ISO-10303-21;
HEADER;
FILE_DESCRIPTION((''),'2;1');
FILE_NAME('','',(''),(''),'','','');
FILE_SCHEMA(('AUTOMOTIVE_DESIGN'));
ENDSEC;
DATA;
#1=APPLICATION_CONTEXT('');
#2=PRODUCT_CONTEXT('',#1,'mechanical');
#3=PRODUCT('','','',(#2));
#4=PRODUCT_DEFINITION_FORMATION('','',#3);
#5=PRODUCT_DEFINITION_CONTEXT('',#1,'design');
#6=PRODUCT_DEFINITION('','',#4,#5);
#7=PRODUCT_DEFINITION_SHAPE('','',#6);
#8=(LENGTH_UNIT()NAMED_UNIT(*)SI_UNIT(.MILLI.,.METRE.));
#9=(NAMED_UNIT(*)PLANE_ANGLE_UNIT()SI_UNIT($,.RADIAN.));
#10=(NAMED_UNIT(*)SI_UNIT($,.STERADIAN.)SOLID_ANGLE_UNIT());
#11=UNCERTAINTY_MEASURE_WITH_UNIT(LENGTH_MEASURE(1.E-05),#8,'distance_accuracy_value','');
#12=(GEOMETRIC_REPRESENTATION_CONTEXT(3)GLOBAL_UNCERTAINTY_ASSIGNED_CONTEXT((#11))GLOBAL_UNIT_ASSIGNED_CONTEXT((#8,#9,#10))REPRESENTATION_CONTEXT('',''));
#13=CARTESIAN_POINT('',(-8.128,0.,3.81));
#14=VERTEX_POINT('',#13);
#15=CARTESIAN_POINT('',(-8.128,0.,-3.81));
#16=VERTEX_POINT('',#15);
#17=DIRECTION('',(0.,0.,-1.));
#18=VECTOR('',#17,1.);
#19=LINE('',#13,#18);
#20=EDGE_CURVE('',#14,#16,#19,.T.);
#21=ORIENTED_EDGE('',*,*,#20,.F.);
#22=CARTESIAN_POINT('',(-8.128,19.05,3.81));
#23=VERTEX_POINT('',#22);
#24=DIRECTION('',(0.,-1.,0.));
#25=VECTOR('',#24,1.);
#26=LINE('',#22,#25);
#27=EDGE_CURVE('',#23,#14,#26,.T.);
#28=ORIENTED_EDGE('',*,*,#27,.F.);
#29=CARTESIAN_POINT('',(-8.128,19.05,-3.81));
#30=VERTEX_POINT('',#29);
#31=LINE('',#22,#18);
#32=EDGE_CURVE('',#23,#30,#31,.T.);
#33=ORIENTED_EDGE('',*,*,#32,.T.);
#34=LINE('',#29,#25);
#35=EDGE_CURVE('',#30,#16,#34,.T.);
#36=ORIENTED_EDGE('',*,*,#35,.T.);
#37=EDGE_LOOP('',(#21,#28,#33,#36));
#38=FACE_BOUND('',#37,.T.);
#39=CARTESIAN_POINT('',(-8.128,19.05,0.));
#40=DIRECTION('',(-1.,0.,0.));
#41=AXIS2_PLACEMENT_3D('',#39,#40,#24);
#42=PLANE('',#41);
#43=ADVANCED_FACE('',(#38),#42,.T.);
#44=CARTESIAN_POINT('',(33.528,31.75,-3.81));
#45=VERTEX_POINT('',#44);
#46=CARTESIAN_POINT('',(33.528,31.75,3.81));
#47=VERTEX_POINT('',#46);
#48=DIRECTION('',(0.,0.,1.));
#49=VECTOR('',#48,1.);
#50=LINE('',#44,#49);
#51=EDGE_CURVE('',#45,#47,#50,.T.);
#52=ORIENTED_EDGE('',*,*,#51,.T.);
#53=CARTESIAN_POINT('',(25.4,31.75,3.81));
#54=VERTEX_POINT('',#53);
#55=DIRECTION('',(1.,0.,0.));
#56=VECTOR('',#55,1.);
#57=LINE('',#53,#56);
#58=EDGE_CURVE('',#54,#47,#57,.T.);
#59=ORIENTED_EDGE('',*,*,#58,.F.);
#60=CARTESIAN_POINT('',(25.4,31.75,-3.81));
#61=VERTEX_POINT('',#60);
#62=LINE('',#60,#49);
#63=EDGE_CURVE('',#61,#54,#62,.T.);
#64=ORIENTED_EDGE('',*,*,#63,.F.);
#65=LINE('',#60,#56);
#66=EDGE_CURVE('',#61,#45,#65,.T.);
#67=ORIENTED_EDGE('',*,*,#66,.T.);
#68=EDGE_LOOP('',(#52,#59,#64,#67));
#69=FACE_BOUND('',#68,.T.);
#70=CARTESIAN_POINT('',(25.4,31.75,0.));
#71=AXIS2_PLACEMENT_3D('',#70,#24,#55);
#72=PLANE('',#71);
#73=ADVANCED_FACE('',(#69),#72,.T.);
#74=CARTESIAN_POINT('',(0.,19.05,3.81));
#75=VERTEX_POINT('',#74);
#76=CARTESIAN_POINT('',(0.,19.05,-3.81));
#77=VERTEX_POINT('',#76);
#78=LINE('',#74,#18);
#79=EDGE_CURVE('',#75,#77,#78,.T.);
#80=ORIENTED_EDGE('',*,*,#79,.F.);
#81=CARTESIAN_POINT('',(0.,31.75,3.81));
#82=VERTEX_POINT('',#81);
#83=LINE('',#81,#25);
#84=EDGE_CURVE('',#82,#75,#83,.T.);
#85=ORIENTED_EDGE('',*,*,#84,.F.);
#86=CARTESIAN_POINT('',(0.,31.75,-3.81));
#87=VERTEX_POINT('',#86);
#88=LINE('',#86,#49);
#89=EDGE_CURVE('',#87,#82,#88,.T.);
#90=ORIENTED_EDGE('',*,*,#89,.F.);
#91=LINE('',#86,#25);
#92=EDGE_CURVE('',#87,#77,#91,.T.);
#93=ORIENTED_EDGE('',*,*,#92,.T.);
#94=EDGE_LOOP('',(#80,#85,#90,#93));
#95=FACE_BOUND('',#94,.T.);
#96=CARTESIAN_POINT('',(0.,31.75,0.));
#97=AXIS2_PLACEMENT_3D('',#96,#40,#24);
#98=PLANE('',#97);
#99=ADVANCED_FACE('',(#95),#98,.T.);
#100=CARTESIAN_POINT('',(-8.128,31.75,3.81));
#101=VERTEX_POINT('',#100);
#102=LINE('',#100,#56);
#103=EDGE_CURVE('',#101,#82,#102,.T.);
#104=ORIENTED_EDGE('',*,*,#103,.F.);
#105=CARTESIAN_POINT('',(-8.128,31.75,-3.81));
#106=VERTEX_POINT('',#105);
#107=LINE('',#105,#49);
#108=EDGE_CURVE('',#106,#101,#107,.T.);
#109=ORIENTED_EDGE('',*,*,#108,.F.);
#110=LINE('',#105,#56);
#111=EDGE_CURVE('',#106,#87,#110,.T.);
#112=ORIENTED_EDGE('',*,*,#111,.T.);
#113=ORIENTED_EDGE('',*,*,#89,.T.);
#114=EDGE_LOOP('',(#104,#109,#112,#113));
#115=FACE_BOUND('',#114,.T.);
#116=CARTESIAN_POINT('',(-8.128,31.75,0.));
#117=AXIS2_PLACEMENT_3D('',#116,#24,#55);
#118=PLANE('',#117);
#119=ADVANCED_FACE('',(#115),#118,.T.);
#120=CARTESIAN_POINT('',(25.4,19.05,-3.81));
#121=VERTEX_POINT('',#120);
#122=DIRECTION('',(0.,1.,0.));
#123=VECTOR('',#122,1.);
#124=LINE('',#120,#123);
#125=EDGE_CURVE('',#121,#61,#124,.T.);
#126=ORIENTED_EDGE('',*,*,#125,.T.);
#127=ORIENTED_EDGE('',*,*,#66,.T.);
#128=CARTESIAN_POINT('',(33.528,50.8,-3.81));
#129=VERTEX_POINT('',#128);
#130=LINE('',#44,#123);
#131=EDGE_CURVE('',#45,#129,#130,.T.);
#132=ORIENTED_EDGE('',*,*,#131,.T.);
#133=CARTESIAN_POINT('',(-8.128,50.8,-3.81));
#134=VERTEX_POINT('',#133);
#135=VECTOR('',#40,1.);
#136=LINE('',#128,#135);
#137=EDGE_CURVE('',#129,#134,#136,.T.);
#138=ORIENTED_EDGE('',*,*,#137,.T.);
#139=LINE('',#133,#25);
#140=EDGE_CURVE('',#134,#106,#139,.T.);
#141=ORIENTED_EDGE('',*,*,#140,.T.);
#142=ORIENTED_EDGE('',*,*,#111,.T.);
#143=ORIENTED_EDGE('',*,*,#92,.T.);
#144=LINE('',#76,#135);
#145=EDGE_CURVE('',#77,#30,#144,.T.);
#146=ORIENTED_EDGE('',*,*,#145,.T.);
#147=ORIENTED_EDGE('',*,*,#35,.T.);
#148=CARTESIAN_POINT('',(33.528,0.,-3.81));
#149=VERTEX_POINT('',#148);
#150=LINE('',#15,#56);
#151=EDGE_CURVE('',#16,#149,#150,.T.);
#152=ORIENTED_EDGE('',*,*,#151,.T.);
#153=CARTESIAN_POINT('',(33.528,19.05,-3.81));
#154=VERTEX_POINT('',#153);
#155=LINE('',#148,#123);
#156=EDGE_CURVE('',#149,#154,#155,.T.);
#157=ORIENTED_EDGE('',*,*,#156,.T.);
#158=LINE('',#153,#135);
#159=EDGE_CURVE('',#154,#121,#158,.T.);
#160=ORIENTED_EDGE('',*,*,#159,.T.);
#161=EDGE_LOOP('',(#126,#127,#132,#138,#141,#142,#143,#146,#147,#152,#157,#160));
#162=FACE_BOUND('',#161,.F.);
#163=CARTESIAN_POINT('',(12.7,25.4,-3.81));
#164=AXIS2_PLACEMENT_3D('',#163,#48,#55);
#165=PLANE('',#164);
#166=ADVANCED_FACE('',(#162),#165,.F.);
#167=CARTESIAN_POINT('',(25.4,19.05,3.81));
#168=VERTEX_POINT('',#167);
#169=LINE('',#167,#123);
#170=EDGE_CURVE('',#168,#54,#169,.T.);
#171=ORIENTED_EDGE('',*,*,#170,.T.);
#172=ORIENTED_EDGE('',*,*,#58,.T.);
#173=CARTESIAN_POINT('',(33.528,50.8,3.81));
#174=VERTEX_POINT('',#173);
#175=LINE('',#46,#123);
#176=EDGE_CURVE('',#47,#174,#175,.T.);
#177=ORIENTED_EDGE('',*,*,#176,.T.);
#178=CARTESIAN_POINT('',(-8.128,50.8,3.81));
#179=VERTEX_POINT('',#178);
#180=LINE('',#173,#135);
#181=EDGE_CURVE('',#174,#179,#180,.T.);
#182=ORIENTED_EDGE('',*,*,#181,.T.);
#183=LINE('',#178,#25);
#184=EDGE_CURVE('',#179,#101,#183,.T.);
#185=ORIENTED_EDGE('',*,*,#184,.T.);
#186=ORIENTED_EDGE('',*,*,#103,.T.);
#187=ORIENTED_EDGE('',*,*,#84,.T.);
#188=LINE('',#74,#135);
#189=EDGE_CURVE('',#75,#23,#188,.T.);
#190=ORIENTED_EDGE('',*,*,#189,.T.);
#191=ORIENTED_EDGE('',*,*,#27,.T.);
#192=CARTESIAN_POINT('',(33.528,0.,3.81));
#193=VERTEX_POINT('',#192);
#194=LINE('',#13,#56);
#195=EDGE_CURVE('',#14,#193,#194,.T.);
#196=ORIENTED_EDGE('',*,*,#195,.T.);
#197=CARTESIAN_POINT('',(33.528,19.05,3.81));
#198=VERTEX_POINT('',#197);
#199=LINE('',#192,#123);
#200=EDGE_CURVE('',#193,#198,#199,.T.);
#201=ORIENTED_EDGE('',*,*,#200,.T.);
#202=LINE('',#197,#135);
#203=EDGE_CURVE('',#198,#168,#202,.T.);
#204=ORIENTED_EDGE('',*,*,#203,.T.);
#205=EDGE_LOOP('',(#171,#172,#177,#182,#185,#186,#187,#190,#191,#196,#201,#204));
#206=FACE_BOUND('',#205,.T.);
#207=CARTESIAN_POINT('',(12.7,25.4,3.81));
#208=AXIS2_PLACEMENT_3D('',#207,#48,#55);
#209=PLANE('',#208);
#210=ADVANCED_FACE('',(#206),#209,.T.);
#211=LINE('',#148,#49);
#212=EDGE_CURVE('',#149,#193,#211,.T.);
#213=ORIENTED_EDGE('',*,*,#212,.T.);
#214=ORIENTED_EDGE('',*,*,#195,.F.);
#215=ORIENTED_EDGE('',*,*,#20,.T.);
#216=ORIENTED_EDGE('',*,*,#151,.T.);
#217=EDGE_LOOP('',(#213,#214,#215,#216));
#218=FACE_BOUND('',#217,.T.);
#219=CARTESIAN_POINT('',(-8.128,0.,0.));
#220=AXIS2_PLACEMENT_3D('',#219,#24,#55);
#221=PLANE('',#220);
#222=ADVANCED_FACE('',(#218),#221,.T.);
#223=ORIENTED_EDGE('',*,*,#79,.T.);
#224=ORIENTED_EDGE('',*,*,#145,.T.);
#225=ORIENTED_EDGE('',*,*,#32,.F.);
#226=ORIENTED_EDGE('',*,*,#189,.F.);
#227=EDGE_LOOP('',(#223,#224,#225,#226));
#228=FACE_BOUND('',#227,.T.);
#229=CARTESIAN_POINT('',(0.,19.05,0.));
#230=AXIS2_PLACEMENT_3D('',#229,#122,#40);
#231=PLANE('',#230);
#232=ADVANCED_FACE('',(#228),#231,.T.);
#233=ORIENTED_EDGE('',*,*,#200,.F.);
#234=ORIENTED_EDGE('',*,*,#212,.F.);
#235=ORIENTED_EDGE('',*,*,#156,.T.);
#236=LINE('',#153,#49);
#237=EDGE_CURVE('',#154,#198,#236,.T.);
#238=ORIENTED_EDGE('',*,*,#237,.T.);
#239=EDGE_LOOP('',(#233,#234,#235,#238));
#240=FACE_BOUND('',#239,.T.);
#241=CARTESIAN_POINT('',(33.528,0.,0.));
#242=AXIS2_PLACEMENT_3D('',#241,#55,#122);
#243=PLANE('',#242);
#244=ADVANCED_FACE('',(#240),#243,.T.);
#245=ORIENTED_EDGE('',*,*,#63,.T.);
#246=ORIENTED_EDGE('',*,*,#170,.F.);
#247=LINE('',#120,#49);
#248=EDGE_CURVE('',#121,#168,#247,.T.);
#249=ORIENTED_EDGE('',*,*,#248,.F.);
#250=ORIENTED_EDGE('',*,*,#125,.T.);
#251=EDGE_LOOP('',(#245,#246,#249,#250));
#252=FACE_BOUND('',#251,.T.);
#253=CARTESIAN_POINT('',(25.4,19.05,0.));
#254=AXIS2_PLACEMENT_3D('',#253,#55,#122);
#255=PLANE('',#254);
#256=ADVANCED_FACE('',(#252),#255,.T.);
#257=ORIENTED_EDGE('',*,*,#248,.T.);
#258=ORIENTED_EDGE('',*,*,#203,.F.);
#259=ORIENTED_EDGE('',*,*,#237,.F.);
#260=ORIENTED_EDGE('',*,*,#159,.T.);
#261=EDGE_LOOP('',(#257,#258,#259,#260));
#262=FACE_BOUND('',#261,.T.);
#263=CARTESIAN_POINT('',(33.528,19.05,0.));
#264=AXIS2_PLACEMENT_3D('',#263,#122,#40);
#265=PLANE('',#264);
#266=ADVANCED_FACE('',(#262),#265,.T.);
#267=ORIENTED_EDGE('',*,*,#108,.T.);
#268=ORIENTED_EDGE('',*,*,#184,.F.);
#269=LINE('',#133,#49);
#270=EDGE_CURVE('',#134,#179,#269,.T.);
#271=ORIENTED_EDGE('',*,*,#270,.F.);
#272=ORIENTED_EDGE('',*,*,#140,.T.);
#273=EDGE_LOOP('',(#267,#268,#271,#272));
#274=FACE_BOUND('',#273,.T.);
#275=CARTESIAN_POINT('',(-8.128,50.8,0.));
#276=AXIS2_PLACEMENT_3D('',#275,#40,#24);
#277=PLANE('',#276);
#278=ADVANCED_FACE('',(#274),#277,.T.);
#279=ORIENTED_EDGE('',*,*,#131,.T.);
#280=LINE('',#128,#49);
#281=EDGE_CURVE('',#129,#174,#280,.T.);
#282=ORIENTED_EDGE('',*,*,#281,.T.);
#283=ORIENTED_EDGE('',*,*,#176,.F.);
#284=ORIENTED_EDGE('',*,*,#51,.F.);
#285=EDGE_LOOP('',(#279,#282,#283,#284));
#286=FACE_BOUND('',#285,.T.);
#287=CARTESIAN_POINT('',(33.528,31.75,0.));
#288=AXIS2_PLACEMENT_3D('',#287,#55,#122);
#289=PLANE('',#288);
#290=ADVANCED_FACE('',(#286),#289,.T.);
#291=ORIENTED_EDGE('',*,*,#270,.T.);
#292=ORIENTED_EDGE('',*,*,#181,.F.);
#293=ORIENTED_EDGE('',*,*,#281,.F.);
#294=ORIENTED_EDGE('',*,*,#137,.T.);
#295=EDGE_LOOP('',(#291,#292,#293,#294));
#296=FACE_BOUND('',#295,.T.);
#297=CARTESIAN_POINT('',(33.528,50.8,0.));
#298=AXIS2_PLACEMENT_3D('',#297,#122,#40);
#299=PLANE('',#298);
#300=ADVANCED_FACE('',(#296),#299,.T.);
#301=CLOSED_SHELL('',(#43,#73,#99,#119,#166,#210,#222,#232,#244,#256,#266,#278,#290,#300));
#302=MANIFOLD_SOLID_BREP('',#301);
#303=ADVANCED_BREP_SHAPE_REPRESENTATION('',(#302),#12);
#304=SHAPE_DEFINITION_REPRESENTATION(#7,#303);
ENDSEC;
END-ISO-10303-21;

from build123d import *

# Parameters (mm, degrees)
F1_DEPTH = 3.81


with BuildPart() as f1:
    # F0 (on Top) → F1 (new body, symmetric)
    with BuildSketch(Plane.XY):
        Polygon((-8.128, 0), (0, 0), (33.528, 0), (33.528, 19.05), (25.4, 19.05), (25.4, 31.75), (33.528, 31.75), (33.528, 50.8), (25.4, 50.8), (0, 50.8), (-8.128, 50.8), (-8.128, 31.75), (0, 31.75), (0, 19.05), (-8.128, 19.05), align=None)
    extrude(amount=F1_DEPTH, both=True)


solid = f1.part
